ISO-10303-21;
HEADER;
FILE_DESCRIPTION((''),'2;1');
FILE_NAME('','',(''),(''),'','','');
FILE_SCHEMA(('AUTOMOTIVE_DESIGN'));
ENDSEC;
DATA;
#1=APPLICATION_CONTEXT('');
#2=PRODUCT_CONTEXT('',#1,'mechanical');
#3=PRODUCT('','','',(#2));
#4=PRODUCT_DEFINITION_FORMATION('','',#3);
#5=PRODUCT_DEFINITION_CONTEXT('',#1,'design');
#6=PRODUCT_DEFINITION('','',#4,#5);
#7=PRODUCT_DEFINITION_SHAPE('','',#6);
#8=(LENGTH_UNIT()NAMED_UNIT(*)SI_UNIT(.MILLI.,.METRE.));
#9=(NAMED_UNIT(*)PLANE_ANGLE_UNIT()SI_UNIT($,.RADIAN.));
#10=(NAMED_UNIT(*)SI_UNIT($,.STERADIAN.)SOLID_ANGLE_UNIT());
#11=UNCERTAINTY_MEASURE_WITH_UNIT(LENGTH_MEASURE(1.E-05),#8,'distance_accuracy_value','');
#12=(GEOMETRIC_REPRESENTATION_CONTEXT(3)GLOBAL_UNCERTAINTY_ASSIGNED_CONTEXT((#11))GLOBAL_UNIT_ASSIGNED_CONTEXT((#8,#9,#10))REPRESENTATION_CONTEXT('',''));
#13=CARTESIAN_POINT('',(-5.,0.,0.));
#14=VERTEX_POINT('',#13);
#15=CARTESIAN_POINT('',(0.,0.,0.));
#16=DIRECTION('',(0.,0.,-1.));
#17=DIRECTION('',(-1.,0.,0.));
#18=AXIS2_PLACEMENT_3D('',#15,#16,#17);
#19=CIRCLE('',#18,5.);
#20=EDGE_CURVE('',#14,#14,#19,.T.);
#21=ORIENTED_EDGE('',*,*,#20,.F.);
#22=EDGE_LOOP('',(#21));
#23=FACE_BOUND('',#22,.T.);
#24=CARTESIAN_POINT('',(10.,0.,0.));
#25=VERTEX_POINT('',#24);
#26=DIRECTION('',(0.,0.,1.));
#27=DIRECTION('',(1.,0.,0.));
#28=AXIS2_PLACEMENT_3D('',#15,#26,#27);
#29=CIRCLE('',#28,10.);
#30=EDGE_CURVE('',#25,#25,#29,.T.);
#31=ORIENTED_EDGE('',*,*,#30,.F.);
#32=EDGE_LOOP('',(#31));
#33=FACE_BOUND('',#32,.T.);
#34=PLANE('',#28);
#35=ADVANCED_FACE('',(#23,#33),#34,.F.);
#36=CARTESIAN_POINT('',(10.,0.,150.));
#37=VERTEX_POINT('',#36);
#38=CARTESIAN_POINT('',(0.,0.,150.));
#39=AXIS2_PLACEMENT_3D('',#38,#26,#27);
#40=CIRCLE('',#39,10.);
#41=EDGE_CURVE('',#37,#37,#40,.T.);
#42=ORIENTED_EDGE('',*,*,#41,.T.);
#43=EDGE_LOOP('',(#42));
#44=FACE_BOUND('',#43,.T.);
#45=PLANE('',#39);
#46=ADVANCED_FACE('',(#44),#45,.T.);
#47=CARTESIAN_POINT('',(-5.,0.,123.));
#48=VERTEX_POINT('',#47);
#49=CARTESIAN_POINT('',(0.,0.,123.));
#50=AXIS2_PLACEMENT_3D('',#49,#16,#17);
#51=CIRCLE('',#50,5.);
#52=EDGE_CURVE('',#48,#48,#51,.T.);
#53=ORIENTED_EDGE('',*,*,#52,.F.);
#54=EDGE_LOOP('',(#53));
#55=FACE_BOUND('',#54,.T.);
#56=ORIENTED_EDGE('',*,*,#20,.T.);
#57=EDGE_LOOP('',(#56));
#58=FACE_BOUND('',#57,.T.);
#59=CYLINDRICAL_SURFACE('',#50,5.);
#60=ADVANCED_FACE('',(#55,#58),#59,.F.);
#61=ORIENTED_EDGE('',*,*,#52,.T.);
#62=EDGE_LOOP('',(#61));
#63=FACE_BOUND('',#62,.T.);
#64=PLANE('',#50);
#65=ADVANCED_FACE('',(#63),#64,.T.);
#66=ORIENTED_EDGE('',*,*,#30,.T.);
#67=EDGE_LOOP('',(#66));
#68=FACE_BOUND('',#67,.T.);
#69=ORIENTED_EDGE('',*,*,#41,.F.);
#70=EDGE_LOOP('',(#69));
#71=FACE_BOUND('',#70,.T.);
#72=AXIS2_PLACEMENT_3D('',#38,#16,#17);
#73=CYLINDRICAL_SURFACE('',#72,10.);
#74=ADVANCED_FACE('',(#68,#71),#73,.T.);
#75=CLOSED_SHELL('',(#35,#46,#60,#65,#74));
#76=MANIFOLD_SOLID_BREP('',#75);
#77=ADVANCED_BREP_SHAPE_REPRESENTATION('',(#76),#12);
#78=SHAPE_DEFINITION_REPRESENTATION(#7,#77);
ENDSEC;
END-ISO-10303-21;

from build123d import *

# Parameters (mm, degrees)
SKETCH1_R           = 10
BOSS_EXTRUDE1_DEPTH = 150
SKETCH2_R           = 5
CUT_EXTRUDE1_DEPTH  = 123


with BuildPart() as part:
    # Sketch1 → Boss-Extrude1 (new body)
    with BuildSketch(Plane.XY):
        Circle(SKETCH1_R)
    extrude(amount=BOSS_EXTRUDE1_DEPTH)

    # Sketch2 → Cut-Extrude1 (cut)
    with BuildSketch(Plane(origin=(0, 0, 0), x_dir=(-1, 0, 0), z_dir=(0, 0, -1))):
        Circle(SKETCH2_R)
    extrude(amount=-CUT_EXTRUDE1_DEPTH, mode=Mode.SUBTRACT)


solid = part.part
